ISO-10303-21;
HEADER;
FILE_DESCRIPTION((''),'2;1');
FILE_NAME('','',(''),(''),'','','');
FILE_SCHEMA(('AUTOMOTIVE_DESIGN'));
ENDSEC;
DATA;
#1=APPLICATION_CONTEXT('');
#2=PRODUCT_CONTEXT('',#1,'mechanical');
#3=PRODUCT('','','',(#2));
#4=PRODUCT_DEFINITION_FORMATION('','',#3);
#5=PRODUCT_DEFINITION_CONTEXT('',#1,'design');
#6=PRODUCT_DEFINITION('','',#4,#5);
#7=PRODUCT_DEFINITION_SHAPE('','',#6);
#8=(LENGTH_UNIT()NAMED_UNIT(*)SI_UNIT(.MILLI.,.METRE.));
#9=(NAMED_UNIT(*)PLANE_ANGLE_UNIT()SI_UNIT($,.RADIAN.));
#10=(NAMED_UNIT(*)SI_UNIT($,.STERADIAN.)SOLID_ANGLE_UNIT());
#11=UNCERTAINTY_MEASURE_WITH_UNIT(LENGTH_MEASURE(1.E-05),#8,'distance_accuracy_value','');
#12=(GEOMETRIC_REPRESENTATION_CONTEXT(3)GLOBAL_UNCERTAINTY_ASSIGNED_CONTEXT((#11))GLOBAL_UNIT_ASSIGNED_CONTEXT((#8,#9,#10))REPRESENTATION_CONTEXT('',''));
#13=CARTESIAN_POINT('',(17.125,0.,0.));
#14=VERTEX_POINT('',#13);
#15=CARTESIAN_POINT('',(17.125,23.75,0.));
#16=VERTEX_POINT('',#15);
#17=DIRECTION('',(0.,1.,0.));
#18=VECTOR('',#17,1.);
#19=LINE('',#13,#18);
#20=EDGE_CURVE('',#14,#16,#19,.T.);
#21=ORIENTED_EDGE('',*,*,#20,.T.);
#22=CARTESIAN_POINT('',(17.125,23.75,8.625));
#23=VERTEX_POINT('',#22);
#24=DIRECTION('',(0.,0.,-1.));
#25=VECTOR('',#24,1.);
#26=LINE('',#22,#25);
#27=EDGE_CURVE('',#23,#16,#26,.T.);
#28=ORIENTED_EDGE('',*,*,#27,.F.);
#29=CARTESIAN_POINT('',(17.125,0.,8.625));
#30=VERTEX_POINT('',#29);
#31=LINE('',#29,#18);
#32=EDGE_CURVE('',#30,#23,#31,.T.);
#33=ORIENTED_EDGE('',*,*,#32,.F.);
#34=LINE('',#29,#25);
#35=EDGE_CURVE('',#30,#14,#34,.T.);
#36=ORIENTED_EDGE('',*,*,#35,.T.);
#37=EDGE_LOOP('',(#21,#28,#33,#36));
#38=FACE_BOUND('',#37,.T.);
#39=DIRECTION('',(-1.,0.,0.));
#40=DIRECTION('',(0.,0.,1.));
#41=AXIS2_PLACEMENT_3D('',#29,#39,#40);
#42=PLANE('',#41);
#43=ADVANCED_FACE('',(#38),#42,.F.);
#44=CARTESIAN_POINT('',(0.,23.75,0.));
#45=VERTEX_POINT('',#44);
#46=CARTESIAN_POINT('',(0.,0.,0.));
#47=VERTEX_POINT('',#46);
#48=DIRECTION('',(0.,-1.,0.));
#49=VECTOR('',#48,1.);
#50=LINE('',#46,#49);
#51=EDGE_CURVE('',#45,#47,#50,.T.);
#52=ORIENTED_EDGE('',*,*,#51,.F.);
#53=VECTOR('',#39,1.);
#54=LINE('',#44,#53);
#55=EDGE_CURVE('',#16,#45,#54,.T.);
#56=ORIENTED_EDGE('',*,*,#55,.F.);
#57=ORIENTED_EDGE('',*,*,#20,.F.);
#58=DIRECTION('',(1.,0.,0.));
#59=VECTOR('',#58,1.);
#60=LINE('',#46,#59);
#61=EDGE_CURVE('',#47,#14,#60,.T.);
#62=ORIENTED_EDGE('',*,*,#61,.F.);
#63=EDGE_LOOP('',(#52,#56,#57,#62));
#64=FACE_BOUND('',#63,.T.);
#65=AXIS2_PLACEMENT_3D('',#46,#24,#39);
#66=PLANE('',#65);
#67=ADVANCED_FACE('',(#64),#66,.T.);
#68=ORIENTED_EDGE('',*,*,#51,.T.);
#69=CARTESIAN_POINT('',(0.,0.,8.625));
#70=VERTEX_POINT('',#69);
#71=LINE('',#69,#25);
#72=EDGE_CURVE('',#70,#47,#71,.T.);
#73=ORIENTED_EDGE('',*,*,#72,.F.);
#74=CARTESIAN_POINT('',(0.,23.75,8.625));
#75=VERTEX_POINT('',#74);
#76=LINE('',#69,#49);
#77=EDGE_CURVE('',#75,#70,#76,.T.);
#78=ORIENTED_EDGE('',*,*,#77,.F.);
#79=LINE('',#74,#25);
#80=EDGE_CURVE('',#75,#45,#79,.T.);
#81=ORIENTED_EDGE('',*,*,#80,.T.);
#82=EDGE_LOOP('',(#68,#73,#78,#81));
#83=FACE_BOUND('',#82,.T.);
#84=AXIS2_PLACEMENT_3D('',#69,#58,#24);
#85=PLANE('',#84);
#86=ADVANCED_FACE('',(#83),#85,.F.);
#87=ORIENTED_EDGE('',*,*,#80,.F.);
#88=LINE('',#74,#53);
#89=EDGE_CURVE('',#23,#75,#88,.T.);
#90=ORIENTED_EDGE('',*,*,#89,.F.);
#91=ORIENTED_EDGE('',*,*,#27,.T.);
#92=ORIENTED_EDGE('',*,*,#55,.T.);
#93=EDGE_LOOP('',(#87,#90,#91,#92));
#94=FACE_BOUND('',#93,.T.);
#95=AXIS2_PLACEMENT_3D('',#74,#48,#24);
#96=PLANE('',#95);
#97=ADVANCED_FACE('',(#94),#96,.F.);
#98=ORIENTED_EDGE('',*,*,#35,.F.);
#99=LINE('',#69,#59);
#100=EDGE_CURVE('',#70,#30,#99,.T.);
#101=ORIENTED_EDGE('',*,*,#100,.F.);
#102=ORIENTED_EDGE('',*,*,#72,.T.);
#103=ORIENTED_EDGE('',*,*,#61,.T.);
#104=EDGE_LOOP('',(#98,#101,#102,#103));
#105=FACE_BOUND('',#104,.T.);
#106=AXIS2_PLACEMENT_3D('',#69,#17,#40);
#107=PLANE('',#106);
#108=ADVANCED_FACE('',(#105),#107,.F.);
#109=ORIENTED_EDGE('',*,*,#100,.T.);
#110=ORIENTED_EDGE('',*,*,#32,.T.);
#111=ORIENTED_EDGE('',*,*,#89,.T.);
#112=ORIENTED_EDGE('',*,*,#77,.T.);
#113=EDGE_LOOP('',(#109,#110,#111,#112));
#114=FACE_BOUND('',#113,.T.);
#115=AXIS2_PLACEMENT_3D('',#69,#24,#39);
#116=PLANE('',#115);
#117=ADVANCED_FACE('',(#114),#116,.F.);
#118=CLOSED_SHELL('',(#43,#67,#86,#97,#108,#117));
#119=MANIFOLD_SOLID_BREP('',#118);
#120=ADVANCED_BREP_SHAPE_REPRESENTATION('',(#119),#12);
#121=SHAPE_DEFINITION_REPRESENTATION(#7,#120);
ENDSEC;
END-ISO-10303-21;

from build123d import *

# Parameters (mm, degrees)
ANCHORSKETCH_W   = 17.125
ANCHORSKETCH_H   = 23.75
ANCHORBOSS_DEPTH = 8.625


with BuildPart() as part:
    # AnchorSketch → AnchorBoss (new body)
    with BuildSketch(Plane.XY):
        with Locations((8.5625, 11.875)):
            Rectangle(ANCHORSKETCH_W, ANCHORSKETCH_H)
    extrude(amount=ANCHORBOSS_DEPTH)


solid = part.part
